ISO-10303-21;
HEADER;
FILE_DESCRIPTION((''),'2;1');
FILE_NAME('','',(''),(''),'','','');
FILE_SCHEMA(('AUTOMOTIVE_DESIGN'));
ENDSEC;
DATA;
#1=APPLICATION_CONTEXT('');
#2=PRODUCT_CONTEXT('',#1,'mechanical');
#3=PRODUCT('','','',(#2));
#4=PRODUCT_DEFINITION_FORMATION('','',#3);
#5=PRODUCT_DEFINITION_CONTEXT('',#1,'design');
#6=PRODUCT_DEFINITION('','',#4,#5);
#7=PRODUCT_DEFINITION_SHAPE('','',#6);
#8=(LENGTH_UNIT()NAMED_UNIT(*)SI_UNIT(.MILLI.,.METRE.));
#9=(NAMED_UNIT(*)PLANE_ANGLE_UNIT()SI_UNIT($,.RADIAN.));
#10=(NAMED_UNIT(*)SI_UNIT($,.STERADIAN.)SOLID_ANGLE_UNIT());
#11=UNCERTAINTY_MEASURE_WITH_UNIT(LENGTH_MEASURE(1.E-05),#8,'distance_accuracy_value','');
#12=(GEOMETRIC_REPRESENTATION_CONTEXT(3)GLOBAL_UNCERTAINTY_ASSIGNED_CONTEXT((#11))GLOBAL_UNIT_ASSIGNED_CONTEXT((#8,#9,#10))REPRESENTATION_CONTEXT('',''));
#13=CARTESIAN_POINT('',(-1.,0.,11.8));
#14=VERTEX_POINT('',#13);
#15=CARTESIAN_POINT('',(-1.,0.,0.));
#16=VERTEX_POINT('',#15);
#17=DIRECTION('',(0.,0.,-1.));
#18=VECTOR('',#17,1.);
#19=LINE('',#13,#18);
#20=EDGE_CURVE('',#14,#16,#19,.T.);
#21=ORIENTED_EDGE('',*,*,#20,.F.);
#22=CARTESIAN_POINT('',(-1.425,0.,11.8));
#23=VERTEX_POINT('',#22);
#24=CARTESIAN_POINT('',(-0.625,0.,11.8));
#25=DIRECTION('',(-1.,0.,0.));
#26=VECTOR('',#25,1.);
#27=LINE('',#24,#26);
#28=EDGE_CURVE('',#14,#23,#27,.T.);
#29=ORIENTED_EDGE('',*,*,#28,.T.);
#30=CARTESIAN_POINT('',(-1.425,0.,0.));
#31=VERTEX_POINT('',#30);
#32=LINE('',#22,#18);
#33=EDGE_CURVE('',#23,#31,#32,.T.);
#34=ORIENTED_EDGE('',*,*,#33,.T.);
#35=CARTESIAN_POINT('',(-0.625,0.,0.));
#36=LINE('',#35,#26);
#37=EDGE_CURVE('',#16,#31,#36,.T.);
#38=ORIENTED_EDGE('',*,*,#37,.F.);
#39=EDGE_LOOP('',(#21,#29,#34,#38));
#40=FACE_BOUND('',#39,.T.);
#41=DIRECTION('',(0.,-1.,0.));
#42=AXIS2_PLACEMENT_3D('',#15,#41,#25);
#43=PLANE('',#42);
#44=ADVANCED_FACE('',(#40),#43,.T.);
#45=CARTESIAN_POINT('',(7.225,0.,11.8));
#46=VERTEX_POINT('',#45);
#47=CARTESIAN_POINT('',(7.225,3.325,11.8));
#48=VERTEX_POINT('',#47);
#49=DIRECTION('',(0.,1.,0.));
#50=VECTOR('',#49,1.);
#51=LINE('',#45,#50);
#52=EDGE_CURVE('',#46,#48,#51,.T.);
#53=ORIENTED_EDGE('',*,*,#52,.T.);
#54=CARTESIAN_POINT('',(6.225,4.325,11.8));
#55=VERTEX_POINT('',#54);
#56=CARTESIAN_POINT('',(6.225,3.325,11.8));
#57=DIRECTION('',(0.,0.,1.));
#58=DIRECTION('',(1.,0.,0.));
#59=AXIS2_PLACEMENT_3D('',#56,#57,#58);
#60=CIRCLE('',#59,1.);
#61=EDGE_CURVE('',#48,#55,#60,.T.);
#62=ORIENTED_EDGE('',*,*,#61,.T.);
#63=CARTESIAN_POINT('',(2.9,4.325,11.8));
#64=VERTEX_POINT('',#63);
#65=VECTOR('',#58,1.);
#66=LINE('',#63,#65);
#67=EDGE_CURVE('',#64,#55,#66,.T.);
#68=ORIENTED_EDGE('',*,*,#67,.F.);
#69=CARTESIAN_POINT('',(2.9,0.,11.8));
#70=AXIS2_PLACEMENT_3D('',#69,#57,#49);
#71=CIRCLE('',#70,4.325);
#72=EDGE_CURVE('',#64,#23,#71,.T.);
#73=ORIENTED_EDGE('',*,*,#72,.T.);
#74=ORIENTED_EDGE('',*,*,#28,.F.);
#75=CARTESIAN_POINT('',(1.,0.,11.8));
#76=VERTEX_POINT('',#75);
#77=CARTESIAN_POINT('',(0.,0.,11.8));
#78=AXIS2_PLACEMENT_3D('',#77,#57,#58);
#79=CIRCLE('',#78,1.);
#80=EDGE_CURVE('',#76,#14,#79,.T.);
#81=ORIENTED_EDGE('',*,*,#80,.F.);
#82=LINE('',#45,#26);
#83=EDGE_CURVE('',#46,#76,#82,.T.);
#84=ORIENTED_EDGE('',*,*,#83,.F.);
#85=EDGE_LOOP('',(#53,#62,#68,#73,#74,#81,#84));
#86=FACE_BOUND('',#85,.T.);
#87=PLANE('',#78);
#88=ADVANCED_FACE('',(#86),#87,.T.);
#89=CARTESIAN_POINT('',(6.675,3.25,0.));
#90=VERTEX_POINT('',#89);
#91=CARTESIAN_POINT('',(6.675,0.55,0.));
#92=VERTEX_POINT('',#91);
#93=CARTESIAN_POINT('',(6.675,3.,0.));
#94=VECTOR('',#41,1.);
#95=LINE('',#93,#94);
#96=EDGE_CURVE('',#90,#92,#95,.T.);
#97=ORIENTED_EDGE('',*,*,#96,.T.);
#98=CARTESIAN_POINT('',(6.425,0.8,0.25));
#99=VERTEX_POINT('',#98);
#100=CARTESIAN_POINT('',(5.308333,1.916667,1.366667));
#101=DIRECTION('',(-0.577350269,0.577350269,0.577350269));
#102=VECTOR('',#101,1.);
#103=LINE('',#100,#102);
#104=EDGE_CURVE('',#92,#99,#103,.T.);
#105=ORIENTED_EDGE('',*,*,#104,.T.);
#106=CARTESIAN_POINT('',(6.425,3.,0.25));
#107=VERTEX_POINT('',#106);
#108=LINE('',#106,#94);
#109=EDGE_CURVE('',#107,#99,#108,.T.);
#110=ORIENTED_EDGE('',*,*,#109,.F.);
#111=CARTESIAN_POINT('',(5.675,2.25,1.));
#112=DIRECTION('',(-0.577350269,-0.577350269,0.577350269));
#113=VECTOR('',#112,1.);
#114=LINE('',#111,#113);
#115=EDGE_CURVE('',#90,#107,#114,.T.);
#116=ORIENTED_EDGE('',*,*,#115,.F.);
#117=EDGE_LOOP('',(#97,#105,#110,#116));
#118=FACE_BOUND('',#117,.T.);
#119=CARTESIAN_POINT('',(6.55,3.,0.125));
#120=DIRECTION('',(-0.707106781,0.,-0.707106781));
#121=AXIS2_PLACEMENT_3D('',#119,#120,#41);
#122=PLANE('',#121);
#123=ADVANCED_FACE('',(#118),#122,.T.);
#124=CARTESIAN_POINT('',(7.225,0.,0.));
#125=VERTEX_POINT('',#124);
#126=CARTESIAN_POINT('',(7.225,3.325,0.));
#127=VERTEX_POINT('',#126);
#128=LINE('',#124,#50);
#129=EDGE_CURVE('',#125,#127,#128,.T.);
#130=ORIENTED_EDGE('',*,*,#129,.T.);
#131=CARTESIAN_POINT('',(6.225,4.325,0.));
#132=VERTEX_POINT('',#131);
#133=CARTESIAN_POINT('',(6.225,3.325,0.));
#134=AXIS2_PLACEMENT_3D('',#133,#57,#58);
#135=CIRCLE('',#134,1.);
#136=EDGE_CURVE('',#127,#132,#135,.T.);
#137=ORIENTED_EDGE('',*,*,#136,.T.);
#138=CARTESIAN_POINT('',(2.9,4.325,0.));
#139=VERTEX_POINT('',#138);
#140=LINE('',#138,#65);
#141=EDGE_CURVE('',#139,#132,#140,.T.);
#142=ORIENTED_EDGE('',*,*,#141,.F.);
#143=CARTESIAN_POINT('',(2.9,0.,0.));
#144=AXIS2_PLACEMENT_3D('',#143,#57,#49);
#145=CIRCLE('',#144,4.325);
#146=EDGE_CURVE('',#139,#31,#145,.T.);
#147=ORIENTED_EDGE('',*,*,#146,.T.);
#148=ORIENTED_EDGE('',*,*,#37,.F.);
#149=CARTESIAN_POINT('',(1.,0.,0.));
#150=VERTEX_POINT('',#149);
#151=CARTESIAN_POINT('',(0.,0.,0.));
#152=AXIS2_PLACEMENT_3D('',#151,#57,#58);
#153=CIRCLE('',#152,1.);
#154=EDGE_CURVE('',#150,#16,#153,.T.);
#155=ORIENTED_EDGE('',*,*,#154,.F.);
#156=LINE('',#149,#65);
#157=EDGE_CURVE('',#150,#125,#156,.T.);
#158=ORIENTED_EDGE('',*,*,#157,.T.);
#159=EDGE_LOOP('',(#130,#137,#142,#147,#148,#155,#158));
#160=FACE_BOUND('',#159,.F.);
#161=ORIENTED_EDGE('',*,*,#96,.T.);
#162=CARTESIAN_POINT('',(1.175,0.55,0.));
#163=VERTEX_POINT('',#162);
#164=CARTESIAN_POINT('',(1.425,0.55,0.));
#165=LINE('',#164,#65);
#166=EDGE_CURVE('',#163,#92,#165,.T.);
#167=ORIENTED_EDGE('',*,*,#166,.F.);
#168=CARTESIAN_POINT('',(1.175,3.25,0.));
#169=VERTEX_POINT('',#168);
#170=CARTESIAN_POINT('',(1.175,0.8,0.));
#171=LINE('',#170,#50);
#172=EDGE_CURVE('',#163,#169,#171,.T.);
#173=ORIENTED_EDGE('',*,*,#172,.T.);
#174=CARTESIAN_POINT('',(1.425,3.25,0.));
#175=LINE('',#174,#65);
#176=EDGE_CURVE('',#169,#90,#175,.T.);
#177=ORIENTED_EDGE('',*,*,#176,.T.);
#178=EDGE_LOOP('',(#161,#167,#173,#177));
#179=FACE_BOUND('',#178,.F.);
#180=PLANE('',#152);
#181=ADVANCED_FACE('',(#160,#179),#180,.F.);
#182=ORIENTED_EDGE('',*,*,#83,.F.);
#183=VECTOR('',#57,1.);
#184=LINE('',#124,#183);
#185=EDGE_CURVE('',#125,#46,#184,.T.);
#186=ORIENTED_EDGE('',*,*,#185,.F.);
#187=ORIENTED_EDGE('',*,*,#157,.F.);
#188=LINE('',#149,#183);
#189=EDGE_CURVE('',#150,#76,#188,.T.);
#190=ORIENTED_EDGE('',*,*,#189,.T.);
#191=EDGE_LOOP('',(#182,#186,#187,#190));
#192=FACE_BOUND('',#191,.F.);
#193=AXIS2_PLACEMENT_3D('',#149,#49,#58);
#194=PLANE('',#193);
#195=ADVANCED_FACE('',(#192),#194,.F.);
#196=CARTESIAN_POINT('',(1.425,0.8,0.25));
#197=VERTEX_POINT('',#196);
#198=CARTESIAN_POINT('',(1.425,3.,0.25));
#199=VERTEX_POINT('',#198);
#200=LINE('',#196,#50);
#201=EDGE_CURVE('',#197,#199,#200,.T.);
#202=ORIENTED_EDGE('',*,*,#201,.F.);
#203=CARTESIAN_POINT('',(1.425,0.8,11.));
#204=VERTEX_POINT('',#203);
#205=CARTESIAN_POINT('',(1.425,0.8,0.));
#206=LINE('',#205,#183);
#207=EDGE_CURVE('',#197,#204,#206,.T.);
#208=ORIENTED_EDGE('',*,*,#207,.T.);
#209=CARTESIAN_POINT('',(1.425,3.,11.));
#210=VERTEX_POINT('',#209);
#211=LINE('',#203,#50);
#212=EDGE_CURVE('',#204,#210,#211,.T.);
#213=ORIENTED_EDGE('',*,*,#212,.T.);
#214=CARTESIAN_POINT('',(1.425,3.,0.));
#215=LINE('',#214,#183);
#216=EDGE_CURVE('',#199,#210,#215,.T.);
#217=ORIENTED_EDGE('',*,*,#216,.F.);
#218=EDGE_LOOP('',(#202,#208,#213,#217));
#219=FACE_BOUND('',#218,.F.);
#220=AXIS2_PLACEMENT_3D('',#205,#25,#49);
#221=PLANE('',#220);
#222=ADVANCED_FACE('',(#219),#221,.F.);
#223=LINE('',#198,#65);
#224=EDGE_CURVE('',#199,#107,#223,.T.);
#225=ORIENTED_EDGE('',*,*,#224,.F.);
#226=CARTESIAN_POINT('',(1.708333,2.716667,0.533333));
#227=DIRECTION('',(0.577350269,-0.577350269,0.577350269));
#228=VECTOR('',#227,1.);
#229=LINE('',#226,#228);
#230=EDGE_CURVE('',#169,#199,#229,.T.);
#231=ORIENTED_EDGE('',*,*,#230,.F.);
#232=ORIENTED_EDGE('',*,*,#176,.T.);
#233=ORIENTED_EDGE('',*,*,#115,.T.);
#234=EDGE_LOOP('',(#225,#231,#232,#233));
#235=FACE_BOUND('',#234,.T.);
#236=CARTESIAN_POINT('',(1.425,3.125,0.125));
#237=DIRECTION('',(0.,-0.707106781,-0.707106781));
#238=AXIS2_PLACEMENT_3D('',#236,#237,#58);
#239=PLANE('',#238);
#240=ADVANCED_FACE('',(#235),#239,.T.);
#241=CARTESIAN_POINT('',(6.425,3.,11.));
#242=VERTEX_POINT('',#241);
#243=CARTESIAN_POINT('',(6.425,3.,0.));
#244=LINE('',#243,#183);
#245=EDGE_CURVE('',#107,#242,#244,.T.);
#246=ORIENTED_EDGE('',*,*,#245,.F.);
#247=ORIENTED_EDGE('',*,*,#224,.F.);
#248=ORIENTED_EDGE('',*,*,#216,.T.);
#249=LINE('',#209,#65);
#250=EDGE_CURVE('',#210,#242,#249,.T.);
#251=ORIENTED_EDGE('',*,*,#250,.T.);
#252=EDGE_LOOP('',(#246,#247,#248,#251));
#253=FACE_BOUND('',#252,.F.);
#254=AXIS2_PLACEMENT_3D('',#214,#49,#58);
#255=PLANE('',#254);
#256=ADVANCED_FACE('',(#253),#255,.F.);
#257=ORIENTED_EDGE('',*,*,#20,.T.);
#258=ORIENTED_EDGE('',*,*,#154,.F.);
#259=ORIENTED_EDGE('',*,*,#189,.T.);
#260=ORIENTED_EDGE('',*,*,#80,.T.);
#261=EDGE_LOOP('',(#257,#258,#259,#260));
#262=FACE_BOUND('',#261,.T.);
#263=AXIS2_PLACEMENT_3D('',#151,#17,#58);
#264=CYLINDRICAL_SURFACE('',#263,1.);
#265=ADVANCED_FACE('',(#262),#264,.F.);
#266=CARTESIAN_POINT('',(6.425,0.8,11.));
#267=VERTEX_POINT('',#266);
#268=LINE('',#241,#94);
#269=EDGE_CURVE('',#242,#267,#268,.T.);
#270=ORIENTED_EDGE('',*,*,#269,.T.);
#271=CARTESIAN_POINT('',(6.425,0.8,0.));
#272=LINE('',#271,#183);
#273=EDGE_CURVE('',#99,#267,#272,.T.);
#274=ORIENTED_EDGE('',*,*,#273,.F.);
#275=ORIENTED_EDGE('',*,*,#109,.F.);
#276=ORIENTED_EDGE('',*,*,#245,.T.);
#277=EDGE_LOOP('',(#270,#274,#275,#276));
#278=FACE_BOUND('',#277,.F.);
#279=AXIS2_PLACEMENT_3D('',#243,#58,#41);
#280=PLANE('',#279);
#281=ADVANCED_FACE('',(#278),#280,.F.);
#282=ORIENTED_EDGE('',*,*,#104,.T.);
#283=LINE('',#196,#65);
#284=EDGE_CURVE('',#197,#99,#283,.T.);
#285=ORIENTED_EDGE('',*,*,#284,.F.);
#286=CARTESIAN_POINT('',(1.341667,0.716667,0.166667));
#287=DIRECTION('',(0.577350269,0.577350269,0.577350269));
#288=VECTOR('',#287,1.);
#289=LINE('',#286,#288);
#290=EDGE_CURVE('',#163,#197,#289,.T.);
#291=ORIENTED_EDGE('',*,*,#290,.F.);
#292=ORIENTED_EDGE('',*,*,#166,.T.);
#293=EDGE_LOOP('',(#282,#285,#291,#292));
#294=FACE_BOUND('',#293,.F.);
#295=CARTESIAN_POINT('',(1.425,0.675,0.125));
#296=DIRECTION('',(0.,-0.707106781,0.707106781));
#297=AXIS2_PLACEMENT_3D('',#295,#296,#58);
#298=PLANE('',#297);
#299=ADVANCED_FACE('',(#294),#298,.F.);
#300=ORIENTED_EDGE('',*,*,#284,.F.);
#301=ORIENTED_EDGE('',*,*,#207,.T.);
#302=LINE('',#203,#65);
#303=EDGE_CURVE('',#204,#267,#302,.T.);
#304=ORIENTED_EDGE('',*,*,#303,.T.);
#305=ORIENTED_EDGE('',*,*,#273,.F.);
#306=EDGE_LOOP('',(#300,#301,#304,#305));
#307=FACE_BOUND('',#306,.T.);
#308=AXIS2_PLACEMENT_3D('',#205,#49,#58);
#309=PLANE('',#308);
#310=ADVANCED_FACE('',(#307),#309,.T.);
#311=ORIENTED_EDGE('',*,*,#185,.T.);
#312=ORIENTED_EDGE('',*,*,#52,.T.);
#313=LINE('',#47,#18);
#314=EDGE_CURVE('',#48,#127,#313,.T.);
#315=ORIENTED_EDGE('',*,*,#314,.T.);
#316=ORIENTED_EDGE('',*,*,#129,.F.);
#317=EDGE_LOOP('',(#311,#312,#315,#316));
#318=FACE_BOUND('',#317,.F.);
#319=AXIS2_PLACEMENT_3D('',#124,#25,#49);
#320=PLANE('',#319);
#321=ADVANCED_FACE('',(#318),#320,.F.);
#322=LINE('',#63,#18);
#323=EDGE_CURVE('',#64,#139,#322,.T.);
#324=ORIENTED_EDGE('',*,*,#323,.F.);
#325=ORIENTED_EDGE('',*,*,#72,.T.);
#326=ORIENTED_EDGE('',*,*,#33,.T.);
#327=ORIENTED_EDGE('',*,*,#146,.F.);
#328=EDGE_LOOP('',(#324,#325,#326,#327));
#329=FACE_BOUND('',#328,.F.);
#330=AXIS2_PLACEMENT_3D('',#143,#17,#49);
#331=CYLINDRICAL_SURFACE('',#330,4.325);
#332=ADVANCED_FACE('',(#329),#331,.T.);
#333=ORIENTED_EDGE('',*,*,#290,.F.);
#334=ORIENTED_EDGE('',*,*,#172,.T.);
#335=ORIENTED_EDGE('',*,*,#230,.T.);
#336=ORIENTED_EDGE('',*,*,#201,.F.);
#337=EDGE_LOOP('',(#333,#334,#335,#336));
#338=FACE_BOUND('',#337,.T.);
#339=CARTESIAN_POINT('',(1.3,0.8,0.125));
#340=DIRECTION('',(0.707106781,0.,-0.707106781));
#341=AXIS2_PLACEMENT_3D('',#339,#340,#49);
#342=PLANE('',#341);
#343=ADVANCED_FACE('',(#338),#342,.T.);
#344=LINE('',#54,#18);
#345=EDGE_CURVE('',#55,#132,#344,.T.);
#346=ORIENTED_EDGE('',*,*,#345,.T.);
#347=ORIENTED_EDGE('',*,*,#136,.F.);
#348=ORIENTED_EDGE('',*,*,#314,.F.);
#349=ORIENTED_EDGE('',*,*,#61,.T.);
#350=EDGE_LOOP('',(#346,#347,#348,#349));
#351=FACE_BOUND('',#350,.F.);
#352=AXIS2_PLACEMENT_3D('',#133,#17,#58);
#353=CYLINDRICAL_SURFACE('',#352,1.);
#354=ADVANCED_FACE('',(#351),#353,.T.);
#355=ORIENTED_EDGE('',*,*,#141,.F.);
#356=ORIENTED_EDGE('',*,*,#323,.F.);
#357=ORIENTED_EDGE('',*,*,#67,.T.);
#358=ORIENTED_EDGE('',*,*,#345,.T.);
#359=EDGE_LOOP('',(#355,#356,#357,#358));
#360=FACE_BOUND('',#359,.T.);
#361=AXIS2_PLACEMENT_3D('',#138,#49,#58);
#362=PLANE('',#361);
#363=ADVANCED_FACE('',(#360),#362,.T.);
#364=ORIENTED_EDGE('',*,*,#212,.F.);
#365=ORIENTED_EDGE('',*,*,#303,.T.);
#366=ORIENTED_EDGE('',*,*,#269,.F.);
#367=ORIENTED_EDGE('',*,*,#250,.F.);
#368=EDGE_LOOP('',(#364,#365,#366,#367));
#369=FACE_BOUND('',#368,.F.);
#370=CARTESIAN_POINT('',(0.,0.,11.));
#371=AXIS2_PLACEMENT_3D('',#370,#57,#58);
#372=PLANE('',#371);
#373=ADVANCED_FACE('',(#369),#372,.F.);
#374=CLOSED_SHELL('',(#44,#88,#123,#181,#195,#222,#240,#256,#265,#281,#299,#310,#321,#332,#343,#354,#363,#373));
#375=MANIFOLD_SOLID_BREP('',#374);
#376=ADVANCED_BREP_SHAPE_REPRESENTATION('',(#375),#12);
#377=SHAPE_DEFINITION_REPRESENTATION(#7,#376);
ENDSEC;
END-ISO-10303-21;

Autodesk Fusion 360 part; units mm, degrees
sketch "antenna_nupsi" plane through (0, 0, 0) normal (0, 0, 1) x (1, 0, 0)
  line L0 (0, 0) -> (0.625, 0)
  line L1 (0.625, 0) -> (1.425, 0)
  line L2 (1.425, 0) -> (6.425, 0)
  line L3 (6.425, 0) -> (7.225, 0)
  line L4 (0, 0) -> (-0.625, 0)
  line L5 (-0.625, 0) -> (-1.425, 0)
  arc A0 (2.9, 4.325) -> (-1.425, 0) centre (2.9, 0) ccw
  line L6 (1.425, 0.8) -> (1.425, 3)
  line L7 (1.425, 3) -> (6.425, 3)
  line L8 (6.425, 3) -> (6.425, 0.8)
  line L9 (2.9, 4.325) -> (6.225, 4.325)
  line L10 (7.225, 0) -> (7.225, 3.325)
  line L11 (1.425, 0.8) -> (6.425, 0.8)
  arc A1 (0.625, 0) -> (-0.625, 0) centre (0, 0) ccw
  arc A2 (1, 0) -> (-1, 0) centre (0, 0) ccw
  arc A3 (7.225, 3.325) -> (6.225, 4.325) centre (6.225, 3.325) ccw
  dimension "d1" = 1.25
  dimension "d2" = 0.8
  dimension "d5" = 0.8
  dimension "d7" = 0.8
  dimension "d8" = 2.2
  dimension "d19" = 2
  dimension "d20" = 5
extrude "Extrude5" add sketch "antenna_nupsi" along normal blind 11 contours L1 L2 L3 L5 A0 L9 L10 A2 A3 makes body 1
extrude "Extrude6" add sketch "antenna_nupsi" along normal blind 0.8 separate body contours L1 L2 L3 L5 A0 L9 L10 A2 A3 | L6 L7 L8 L11 makes body 2
move_body "Move1" bodies 2 to x (1, 0, 0) y (0, 1, 0) z (0, 0, 1) at (0, 0, 11)
combine "Combine2" operation add target body 1 tool bodies 2
chamfer "Chamfer2" distance 0.25 angle 45 4 edges at (1.425, 1.9, 0) (3.925, 0.8, 0) (6.425, 1.9, 0) (3.925, 3, 0) on bodies 1
